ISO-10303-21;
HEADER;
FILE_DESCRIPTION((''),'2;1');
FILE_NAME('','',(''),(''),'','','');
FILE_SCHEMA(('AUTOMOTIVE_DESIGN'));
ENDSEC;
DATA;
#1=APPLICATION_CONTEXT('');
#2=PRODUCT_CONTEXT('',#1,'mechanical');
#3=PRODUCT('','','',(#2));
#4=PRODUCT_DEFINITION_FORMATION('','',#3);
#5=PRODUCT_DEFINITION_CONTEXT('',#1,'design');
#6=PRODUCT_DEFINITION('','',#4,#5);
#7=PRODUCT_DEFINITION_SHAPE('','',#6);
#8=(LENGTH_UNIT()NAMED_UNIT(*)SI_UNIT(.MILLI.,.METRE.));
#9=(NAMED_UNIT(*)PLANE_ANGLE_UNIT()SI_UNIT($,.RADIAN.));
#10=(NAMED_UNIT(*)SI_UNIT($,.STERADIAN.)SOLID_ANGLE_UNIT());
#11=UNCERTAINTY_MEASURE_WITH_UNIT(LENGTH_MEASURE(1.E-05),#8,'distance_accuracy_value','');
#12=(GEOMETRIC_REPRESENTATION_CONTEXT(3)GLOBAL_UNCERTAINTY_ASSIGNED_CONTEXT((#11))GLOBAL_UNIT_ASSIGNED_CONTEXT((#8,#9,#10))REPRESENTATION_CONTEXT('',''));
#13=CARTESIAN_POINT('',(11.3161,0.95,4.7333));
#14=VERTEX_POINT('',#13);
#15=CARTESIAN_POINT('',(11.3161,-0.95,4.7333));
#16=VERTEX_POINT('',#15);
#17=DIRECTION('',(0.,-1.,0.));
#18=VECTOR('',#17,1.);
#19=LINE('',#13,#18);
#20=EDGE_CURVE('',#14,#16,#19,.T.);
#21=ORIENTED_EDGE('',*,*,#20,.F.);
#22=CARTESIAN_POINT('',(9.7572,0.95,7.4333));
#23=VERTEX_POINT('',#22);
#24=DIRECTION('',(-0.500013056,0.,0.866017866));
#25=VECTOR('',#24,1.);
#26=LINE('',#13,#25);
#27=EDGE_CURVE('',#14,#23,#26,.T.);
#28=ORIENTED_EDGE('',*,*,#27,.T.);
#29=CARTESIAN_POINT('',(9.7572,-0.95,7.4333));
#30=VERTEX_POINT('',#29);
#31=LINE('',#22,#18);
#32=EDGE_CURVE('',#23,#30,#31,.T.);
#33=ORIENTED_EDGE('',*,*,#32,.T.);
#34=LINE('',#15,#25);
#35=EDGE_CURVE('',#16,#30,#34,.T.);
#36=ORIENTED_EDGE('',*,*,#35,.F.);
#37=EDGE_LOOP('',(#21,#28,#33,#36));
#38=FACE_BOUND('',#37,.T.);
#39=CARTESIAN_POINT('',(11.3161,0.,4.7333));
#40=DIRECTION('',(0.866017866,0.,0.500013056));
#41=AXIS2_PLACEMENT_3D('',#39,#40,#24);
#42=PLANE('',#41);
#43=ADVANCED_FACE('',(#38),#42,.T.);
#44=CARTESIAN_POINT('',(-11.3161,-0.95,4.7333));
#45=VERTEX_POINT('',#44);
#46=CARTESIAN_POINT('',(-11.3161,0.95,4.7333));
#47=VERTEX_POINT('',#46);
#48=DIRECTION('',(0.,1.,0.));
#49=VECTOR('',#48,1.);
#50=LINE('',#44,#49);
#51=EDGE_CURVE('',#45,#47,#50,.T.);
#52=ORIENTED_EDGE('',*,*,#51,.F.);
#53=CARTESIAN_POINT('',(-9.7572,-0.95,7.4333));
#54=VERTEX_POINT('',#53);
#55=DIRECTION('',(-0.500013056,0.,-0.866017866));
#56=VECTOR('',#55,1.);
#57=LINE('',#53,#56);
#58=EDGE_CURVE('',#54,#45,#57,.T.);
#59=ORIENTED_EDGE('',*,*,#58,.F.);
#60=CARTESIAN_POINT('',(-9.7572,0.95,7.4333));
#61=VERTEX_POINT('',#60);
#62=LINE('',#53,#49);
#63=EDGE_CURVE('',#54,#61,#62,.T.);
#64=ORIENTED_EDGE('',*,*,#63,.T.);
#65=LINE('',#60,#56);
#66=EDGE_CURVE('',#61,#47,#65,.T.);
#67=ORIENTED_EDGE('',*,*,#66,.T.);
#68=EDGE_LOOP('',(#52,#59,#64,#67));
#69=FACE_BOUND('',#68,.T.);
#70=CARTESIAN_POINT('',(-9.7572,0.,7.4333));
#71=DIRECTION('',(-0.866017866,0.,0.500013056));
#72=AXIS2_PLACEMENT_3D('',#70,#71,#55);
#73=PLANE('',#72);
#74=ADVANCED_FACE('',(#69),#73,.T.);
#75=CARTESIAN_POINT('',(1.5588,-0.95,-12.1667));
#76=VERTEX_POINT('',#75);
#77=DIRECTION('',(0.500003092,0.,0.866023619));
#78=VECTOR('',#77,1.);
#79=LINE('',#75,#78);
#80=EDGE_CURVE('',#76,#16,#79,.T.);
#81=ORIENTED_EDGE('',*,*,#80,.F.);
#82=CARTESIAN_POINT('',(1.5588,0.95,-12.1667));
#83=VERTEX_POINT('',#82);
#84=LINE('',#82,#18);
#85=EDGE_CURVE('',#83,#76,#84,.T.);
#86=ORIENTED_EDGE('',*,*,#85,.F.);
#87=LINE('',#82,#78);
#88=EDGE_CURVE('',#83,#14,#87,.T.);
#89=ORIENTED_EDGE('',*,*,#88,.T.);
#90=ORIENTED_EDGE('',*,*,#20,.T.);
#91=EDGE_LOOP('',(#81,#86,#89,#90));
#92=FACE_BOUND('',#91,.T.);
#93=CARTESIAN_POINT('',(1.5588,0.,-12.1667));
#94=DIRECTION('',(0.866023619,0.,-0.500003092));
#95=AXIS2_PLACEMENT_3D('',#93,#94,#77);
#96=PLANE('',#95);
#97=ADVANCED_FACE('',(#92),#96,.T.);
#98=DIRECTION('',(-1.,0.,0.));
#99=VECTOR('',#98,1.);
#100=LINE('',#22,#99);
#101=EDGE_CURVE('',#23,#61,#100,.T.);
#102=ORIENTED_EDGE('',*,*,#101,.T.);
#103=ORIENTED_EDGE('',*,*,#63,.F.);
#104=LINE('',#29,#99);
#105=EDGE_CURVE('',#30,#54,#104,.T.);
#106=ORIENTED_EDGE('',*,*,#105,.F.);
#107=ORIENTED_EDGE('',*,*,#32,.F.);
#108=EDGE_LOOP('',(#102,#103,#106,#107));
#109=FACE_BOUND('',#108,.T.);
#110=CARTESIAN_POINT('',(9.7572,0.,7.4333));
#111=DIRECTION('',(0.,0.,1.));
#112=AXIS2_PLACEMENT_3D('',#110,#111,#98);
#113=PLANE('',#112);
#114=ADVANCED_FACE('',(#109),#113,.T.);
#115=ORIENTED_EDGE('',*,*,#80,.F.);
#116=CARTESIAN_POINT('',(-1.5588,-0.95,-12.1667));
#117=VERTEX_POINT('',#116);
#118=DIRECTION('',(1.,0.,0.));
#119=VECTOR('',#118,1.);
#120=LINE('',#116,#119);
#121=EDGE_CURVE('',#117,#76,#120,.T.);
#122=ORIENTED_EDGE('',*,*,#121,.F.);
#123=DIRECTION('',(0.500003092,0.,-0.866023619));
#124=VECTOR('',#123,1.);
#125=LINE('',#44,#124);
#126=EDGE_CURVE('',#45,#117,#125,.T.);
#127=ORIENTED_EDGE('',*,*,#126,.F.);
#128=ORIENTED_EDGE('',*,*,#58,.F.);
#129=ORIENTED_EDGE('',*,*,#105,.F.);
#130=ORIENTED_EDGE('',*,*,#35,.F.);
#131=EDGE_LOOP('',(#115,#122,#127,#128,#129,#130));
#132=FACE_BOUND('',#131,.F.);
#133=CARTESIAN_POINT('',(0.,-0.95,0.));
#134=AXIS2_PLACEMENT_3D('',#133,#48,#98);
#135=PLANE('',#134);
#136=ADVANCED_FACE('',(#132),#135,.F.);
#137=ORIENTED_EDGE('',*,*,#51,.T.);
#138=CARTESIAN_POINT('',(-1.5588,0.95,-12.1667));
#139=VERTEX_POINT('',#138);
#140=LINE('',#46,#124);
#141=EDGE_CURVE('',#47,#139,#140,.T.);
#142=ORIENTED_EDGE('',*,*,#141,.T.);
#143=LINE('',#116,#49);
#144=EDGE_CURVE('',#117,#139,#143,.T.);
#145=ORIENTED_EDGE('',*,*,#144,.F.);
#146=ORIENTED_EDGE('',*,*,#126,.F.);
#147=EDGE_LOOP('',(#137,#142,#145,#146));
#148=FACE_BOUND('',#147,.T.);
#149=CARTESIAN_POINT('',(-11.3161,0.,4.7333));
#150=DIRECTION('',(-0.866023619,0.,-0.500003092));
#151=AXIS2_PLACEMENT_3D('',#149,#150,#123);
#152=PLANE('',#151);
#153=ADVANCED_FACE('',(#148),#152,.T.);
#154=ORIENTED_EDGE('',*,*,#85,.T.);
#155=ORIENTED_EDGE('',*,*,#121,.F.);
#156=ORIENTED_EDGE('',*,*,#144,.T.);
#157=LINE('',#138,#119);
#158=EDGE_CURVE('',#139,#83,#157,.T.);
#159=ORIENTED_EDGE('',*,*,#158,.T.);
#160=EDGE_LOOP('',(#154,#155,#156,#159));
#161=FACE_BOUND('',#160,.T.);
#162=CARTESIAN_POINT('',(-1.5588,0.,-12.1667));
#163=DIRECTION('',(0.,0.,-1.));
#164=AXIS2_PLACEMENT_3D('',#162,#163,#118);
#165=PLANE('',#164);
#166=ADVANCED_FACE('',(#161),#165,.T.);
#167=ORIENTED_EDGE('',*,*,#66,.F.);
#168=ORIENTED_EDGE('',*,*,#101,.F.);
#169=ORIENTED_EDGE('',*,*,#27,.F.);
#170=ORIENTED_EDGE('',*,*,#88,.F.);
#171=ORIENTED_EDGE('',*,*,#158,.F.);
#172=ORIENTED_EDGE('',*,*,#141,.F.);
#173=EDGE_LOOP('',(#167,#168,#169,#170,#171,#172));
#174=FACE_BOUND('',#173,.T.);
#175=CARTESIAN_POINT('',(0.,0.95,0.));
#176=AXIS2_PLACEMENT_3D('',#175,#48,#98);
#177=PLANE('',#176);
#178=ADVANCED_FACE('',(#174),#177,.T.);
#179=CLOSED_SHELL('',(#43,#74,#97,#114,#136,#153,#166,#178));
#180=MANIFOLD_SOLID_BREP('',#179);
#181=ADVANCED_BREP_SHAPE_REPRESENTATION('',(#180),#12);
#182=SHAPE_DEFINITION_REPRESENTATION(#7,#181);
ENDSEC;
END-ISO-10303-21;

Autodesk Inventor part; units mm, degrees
ref_plane "YZ Plane" through (0, 0, 0) normal (1, 0, 0) x (0, 1, 0)
ref_plane "XZ Plane" through (0, 0, 0) normal (0, 1, 0) x (-1, 0, 0)
ref_plane "XY Plane" through (0, 0, 0) normal (0, 0, 1) x (1, 0, 0)
sketch "Sketch1" plane through (0, 0, 0) normal (0, 1, 0) x (-1, 0, 0)
  line L0 (1.5588, -12.1667) -> (-1.5588, -12.1667)
  line L1 (-1.5588, -12.1667) -> (-11.3161, 4.7333)
  line L2 (-11.3161, 4.7333) -> (-9.7572, 7.4333)
  line L3 (-9.7572, 7.4333) -> (9.7572, 7.4333)
  line L4 (9.7572, 7.4333) -> (11.3161, 4.7333)
  line L5 (11.3161, 4.7333) -> (1.5588, -12.1667)
  circle A0 centre (0, 0) radius 7.4333 construction
  line L6 (-1.5588, -12.1667) -> (-3.1177, -14.8667) construction
  line L7 (-3.1177, -14.8667) -> (-22.6321, -14.8667) construction
  line L8 (-22.6321, -14.8667) -> (-24.191, -12.1667) construction
  line L9 (-24.191, -12.1667) -> (-14.4338, 4.7333) construction
  line L10 (-14.4338, 4.7333) -> (-11.3161, 4.7333) construction
  dimension "d0" = 19.6
  dimension "d1" = 3.1177
  dimension "d4" = 14.8667
  dimension "d5" = 22.3
extrude "Extrusion1" add sketch "Sketch1" along normal mid plane 1.9
equation "\"d0\" = CouncilTriangleTrimmed"
equation "\"d5\" = CouncilTriangleHeight"
equation "\"CouncilTriangleHeight\" = 22.3"
equation "\"CouncilTriangleTrimmed\" = 19.6"
properties part number "FactionSpecial_Council_CommandToken_Single" material "ABS Plastic"
